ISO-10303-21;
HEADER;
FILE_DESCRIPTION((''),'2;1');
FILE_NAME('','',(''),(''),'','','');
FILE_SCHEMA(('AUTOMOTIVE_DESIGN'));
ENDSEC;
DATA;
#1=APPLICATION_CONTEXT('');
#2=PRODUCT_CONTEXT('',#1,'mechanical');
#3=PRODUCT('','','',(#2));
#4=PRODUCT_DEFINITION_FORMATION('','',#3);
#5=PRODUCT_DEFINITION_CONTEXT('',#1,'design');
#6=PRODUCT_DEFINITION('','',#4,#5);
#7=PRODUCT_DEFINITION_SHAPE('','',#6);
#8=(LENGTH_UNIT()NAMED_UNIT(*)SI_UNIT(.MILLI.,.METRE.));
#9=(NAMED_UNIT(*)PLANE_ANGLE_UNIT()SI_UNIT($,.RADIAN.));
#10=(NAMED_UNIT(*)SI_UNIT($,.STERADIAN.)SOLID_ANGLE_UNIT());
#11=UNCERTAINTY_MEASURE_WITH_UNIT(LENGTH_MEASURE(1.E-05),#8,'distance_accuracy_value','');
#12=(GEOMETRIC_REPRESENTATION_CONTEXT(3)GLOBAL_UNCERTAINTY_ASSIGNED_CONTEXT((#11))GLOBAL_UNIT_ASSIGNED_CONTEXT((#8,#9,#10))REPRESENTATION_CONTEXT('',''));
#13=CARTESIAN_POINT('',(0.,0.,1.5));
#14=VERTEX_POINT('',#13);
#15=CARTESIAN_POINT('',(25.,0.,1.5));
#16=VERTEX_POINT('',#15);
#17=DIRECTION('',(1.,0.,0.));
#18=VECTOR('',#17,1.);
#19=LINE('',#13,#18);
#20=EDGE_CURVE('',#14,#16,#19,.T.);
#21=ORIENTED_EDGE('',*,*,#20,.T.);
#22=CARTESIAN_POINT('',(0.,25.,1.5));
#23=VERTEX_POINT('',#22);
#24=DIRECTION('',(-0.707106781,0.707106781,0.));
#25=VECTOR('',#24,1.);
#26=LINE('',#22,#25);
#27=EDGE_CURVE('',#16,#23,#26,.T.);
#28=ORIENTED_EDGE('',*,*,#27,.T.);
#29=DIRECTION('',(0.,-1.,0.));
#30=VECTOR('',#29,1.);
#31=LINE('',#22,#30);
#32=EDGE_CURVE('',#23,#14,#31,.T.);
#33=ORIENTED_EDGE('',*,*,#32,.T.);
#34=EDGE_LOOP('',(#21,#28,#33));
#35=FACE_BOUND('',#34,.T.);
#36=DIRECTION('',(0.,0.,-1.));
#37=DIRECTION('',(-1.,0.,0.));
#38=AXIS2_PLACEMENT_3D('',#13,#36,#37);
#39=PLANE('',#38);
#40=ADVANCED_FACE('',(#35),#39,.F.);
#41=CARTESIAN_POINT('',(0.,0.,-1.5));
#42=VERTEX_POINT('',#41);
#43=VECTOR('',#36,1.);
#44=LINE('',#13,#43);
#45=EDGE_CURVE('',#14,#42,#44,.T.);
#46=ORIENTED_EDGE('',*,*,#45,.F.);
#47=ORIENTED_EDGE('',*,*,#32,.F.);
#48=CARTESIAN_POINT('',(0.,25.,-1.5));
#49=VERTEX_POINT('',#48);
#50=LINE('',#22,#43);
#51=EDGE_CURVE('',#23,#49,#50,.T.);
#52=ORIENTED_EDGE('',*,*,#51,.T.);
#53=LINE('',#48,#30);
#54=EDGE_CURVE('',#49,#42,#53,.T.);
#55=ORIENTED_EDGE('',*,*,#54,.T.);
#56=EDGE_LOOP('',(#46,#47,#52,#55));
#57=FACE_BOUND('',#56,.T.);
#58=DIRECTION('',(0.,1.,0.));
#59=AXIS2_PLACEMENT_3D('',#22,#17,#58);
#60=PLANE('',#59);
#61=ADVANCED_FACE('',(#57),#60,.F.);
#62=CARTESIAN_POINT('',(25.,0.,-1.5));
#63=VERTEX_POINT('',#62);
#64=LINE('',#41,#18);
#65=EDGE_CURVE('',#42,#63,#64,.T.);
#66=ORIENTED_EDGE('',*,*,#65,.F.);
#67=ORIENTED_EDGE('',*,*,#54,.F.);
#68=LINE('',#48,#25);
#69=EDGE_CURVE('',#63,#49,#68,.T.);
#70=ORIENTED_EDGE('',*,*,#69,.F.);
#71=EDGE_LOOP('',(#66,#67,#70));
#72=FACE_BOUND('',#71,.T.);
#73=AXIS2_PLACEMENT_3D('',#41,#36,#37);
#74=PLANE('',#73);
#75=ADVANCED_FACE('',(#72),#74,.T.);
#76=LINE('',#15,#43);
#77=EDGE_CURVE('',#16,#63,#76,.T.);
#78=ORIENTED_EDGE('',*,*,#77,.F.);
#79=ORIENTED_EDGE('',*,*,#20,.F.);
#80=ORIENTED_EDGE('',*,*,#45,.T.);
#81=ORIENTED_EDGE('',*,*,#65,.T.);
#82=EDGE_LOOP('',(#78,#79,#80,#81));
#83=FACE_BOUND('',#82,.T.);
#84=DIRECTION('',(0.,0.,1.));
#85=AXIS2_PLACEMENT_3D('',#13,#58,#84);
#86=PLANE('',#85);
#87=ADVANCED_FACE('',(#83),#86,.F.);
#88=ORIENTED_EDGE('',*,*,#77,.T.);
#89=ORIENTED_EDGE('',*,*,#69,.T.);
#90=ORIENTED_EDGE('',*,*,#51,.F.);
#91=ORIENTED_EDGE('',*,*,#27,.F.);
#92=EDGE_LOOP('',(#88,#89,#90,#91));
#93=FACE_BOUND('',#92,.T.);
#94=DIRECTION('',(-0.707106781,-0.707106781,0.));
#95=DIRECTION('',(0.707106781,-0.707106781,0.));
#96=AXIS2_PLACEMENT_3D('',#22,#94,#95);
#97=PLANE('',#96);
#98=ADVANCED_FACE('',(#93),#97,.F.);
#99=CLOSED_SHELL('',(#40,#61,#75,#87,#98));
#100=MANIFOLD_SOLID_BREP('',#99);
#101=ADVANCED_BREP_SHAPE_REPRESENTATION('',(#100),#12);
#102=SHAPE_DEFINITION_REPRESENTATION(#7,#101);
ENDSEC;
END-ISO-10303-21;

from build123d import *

# Parameters (mm, degrees)
SALIENTE_EXTRUIR1_DEPTH = 1.5


with BuildPart() as part:
    # Croquis1 → Saliente-Extruir1 (new, symmetric)
    with BuildSketch(Plane.XY):
        Polygon((0, 25), (25, 0), (0, 0), align=None)
    extrude(amount=SALIENTE_EXTRUIR1_DEPTH, both=True)


solid = part.part
